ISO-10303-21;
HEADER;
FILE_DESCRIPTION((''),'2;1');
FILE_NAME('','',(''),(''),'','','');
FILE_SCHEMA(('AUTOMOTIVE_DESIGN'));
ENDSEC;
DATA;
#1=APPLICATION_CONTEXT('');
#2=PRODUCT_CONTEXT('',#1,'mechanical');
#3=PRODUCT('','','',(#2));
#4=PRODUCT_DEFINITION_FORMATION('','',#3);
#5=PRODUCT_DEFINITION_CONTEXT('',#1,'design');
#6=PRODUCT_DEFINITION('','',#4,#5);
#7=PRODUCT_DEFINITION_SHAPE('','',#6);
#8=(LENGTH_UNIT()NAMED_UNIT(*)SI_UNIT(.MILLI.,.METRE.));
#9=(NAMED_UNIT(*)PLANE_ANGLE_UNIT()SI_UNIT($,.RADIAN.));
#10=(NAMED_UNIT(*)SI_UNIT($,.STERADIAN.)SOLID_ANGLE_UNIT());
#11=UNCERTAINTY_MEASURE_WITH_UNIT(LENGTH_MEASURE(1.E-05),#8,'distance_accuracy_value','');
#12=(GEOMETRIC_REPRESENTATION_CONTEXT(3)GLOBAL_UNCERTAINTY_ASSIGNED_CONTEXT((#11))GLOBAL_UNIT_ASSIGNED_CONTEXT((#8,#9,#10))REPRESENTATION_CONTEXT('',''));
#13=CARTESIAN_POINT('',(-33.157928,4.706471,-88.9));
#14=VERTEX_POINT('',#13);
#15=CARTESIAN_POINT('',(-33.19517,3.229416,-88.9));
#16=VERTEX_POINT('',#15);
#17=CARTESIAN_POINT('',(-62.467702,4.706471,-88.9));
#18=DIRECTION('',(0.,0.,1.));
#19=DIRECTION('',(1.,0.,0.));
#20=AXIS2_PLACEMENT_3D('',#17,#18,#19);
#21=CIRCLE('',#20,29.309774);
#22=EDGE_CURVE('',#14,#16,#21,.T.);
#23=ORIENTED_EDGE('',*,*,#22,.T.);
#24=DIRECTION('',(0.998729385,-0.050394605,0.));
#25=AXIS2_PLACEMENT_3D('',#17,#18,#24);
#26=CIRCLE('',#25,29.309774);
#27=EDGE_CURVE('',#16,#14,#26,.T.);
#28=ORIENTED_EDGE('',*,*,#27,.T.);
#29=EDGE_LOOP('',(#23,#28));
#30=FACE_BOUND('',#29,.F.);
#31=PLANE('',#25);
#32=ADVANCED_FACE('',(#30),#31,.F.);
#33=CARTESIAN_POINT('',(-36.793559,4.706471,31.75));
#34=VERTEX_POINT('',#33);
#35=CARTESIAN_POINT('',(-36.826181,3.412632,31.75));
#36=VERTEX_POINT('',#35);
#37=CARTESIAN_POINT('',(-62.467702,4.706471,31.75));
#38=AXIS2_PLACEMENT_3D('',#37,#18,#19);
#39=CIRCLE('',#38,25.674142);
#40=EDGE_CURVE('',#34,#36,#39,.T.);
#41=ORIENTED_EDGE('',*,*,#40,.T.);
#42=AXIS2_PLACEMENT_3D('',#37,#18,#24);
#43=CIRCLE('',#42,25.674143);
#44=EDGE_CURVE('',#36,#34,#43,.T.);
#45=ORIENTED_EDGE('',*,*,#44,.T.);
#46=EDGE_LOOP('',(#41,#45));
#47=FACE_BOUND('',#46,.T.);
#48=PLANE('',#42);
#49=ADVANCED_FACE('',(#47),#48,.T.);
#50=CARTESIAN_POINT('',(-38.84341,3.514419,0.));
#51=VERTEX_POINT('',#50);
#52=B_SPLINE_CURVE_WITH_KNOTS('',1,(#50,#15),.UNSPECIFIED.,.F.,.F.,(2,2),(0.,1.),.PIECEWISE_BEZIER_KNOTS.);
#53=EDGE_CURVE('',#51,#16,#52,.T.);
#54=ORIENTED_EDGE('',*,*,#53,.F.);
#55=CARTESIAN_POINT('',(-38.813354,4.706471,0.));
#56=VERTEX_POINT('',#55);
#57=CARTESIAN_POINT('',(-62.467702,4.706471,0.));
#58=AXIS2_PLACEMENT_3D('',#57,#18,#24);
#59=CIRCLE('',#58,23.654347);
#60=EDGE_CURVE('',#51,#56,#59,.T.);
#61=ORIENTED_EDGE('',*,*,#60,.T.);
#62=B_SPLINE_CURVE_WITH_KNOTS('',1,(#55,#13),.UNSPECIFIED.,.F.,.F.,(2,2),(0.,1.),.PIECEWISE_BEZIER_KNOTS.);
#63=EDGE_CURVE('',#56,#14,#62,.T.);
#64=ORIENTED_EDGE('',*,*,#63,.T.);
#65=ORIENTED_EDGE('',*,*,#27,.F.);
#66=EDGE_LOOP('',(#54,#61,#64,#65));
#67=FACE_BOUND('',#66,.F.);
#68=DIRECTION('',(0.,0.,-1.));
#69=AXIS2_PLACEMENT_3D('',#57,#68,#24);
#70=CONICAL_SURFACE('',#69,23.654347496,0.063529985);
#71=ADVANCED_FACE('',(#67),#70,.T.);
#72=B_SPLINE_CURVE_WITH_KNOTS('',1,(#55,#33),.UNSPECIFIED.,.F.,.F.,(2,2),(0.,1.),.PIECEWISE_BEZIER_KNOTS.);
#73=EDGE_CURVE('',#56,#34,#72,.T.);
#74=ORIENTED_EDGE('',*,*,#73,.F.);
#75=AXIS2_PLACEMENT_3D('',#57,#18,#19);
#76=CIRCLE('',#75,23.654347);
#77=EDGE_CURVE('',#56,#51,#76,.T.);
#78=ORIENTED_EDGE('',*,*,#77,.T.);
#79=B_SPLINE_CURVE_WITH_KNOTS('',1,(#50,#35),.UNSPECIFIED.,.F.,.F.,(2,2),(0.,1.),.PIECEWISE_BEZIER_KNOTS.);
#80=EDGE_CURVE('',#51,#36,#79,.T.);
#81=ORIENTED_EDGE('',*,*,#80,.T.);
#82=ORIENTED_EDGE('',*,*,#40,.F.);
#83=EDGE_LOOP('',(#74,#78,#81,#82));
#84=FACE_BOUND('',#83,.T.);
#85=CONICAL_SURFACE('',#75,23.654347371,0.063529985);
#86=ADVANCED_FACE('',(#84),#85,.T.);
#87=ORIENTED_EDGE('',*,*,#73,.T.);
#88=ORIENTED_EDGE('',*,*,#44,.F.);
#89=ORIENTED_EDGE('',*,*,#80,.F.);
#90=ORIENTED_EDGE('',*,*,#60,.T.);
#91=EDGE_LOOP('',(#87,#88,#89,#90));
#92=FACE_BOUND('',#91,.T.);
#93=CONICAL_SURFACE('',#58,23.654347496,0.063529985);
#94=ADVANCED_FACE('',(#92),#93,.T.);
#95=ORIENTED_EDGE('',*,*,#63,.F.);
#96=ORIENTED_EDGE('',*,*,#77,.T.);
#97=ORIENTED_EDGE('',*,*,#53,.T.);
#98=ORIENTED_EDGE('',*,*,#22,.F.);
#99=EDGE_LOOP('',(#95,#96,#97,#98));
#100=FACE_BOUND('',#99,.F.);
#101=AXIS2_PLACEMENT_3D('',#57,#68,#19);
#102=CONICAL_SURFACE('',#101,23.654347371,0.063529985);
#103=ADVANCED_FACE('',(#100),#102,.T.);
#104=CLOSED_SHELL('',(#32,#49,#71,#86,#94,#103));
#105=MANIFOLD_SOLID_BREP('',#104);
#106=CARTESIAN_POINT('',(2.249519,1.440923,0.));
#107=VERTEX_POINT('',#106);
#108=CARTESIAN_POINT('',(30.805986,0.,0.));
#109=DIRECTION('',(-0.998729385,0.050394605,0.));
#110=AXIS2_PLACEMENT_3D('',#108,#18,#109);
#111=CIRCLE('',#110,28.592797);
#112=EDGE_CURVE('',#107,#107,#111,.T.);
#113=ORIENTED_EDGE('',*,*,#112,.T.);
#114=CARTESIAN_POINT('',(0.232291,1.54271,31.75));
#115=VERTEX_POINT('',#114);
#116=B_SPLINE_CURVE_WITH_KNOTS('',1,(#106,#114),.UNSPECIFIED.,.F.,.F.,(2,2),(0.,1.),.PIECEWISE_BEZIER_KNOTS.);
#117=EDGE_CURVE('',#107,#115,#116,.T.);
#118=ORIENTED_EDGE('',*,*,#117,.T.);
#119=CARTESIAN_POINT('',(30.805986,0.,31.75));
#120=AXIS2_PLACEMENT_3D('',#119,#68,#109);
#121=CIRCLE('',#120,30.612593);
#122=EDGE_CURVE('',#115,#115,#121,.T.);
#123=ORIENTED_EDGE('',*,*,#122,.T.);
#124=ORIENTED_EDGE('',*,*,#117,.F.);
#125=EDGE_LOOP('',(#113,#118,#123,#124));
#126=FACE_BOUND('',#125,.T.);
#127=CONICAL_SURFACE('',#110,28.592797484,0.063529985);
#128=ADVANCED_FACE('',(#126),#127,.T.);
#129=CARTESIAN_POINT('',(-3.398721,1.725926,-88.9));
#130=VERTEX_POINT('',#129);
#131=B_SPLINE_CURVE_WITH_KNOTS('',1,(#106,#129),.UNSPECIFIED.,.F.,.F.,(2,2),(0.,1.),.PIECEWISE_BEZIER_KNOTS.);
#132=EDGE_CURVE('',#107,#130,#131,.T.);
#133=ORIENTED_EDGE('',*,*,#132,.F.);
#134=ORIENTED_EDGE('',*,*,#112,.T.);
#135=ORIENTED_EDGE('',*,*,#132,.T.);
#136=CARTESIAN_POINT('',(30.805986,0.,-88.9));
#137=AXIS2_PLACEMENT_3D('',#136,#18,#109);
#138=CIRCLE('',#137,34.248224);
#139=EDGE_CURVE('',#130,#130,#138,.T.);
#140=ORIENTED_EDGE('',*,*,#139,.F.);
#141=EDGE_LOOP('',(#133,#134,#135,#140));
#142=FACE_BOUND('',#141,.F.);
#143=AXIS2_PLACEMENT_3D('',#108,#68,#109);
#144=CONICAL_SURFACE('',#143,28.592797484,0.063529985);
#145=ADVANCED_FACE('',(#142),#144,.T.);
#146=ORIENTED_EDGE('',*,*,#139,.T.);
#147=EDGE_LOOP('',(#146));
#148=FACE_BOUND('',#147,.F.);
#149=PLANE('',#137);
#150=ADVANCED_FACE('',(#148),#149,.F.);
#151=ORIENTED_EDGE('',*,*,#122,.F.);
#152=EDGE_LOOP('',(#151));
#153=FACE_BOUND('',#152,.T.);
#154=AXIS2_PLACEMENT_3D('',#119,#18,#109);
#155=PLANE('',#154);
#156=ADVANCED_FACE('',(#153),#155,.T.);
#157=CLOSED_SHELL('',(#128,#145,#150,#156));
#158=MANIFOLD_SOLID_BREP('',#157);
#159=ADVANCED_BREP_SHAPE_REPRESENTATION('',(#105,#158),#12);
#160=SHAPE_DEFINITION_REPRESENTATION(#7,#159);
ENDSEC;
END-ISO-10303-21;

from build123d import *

# Parameters (mm, degrees)
F1_DEPTH      = 31.75
F1_TAPER      = -3.64
F1_DEPTH_BACK = 88.9
F1_TAPER_BACK = -3.64


with BuildPart() as f1:
    # F0 (on Top) → F1 (new body, two sides)
    with BuildSketch(Plane.XY) as f1_sk:
        with BuildLine():
            ThreePointArc((-38.8434099383, 3.5144192746), (-38.8208694499, 4.1102555979), (-38.813354362, 4.7064707614))
            ThreePointArc((-38.813354362, 4.7064707614), (-45.4557830484, 21.1418829016), (-61.6525194406, 28.346767447))
            Line((-61.6525194406, 28.346767447), (-62.4677017331, 4.7064707614))
            Line((-62.4677017331, 4.7064707614), (-38.8434099383, 3.5144192746))
        make_face()
        with BuildLine():
            Line((-62.4677017331, 4.7064707614), (-61.6525194406, 28.346767447))
            ThreePointArc((-61.6525194406, 28.346767447), (-79.8884753197, -11.2949290897), (-38.8434099383, 3.5144192746))
            Line((-38.8434099383, 3.5144192746), (-62.4677017331, 4.7064707614))
        make_face()
    extrude(amount=F1_DEPTH, taper=F1_TAPER)
    extrude(f1_sk.sketch, amount=-F1_DEPTH_BACK, taper=F1_TAPER_BACK)


with BuildPart() as f1b:
    # F0 (on Top) → F1, piece 2 (new body, two sides)
    with BuildSketch(Plane.XY) as f1_2_sk:
        with BuildLine():
            ThreePointArc((59.398783859, 0), (31.5266767053, 28.5837134297), (2.2495193369, 1.4409227285))
            ThreePointArc((2.2495193369, 1.4409227285), (30.085296044, -28.5837134297), (59.398783859, 0))
        make_face()
    extrude(amount=F1_DEPTH, taper=F1_TAPER)
    extrude(f1_2_sk.sketch, amount=-F1_DEPTH_BACK, taper=F1_TAPER_BACK)


solid = Compound([f1.part, f1b.part])
